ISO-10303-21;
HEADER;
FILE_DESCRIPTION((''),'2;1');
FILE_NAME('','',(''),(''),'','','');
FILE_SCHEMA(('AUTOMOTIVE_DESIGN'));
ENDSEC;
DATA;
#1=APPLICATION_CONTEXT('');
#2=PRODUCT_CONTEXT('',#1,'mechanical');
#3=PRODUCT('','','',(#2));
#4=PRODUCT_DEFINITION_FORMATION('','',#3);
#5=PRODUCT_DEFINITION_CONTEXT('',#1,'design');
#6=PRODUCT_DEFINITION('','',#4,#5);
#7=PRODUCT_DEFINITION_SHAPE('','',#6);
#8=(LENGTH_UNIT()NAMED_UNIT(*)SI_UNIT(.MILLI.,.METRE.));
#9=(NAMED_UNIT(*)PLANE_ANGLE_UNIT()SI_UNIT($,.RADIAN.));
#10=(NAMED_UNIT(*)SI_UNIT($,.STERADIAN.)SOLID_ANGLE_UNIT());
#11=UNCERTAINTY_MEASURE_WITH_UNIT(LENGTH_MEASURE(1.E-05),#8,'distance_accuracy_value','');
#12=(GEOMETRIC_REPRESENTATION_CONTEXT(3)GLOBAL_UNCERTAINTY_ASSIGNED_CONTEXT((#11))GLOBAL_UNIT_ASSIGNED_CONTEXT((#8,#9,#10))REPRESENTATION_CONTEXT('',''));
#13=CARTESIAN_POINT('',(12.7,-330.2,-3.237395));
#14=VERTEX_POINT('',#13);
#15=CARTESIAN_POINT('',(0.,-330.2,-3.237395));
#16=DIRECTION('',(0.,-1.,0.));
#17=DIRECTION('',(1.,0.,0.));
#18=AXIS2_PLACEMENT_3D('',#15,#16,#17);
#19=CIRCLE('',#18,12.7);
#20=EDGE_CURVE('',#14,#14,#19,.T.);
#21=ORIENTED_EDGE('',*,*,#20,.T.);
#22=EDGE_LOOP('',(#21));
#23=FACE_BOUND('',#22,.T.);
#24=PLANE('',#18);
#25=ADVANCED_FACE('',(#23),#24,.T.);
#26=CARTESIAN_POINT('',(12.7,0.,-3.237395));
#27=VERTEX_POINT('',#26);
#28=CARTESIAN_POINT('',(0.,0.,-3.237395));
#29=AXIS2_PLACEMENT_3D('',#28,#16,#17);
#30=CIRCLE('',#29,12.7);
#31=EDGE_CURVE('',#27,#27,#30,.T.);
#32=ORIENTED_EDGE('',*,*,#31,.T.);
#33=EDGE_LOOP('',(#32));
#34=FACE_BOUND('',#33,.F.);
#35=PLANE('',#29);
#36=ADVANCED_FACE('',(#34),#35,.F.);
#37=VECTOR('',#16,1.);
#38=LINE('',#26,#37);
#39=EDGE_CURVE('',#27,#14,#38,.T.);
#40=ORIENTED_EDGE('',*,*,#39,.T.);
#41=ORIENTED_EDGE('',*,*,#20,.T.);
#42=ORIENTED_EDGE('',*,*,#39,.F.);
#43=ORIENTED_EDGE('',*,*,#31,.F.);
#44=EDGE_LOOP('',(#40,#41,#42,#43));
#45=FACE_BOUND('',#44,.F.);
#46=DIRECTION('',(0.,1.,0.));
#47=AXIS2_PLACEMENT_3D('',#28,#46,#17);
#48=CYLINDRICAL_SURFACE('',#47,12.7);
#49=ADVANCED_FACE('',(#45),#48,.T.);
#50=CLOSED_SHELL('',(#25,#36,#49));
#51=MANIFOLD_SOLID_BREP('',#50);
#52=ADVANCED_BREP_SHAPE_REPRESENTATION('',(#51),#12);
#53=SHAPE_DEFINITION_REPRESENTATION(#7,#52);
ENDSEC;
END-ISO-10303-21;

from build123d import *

# Parameters (mm, degrees)
F0_R     = 12.7
F1_DEPTH = 508
F2_DEPTH = 127
F3_DEPTH = 50.8


with BuildPart() as f1:
    # F0 (on Front) → F1 (new body)
    with BuildSketch(Plane.XZ):
        with Locations((0, -3.2373953145)):
            Circle(F0_R)
    extrude(amount=F1_DEPTH)

    # F2 (cut): a face of the model
    f2_faces = [f1.faces().sort_by_distance(p)[0] for p in [
        (0, -508, -3.2373953145),
    ]]
    extrude(f2_faces, amount=-F2_DEPTH, mode=Mode.SUBTRACT)

    # F3 (cut): a face of the model
    f3_faces = [f1.faces().sort_by_distance(p)[0] for p in [
        (0, -381, -3.2373953145),
    ]]
    extrude(f3_faces, amount=-F3_DEPTH, mode=Mode.SUBTRACT)


solid = f1.part
